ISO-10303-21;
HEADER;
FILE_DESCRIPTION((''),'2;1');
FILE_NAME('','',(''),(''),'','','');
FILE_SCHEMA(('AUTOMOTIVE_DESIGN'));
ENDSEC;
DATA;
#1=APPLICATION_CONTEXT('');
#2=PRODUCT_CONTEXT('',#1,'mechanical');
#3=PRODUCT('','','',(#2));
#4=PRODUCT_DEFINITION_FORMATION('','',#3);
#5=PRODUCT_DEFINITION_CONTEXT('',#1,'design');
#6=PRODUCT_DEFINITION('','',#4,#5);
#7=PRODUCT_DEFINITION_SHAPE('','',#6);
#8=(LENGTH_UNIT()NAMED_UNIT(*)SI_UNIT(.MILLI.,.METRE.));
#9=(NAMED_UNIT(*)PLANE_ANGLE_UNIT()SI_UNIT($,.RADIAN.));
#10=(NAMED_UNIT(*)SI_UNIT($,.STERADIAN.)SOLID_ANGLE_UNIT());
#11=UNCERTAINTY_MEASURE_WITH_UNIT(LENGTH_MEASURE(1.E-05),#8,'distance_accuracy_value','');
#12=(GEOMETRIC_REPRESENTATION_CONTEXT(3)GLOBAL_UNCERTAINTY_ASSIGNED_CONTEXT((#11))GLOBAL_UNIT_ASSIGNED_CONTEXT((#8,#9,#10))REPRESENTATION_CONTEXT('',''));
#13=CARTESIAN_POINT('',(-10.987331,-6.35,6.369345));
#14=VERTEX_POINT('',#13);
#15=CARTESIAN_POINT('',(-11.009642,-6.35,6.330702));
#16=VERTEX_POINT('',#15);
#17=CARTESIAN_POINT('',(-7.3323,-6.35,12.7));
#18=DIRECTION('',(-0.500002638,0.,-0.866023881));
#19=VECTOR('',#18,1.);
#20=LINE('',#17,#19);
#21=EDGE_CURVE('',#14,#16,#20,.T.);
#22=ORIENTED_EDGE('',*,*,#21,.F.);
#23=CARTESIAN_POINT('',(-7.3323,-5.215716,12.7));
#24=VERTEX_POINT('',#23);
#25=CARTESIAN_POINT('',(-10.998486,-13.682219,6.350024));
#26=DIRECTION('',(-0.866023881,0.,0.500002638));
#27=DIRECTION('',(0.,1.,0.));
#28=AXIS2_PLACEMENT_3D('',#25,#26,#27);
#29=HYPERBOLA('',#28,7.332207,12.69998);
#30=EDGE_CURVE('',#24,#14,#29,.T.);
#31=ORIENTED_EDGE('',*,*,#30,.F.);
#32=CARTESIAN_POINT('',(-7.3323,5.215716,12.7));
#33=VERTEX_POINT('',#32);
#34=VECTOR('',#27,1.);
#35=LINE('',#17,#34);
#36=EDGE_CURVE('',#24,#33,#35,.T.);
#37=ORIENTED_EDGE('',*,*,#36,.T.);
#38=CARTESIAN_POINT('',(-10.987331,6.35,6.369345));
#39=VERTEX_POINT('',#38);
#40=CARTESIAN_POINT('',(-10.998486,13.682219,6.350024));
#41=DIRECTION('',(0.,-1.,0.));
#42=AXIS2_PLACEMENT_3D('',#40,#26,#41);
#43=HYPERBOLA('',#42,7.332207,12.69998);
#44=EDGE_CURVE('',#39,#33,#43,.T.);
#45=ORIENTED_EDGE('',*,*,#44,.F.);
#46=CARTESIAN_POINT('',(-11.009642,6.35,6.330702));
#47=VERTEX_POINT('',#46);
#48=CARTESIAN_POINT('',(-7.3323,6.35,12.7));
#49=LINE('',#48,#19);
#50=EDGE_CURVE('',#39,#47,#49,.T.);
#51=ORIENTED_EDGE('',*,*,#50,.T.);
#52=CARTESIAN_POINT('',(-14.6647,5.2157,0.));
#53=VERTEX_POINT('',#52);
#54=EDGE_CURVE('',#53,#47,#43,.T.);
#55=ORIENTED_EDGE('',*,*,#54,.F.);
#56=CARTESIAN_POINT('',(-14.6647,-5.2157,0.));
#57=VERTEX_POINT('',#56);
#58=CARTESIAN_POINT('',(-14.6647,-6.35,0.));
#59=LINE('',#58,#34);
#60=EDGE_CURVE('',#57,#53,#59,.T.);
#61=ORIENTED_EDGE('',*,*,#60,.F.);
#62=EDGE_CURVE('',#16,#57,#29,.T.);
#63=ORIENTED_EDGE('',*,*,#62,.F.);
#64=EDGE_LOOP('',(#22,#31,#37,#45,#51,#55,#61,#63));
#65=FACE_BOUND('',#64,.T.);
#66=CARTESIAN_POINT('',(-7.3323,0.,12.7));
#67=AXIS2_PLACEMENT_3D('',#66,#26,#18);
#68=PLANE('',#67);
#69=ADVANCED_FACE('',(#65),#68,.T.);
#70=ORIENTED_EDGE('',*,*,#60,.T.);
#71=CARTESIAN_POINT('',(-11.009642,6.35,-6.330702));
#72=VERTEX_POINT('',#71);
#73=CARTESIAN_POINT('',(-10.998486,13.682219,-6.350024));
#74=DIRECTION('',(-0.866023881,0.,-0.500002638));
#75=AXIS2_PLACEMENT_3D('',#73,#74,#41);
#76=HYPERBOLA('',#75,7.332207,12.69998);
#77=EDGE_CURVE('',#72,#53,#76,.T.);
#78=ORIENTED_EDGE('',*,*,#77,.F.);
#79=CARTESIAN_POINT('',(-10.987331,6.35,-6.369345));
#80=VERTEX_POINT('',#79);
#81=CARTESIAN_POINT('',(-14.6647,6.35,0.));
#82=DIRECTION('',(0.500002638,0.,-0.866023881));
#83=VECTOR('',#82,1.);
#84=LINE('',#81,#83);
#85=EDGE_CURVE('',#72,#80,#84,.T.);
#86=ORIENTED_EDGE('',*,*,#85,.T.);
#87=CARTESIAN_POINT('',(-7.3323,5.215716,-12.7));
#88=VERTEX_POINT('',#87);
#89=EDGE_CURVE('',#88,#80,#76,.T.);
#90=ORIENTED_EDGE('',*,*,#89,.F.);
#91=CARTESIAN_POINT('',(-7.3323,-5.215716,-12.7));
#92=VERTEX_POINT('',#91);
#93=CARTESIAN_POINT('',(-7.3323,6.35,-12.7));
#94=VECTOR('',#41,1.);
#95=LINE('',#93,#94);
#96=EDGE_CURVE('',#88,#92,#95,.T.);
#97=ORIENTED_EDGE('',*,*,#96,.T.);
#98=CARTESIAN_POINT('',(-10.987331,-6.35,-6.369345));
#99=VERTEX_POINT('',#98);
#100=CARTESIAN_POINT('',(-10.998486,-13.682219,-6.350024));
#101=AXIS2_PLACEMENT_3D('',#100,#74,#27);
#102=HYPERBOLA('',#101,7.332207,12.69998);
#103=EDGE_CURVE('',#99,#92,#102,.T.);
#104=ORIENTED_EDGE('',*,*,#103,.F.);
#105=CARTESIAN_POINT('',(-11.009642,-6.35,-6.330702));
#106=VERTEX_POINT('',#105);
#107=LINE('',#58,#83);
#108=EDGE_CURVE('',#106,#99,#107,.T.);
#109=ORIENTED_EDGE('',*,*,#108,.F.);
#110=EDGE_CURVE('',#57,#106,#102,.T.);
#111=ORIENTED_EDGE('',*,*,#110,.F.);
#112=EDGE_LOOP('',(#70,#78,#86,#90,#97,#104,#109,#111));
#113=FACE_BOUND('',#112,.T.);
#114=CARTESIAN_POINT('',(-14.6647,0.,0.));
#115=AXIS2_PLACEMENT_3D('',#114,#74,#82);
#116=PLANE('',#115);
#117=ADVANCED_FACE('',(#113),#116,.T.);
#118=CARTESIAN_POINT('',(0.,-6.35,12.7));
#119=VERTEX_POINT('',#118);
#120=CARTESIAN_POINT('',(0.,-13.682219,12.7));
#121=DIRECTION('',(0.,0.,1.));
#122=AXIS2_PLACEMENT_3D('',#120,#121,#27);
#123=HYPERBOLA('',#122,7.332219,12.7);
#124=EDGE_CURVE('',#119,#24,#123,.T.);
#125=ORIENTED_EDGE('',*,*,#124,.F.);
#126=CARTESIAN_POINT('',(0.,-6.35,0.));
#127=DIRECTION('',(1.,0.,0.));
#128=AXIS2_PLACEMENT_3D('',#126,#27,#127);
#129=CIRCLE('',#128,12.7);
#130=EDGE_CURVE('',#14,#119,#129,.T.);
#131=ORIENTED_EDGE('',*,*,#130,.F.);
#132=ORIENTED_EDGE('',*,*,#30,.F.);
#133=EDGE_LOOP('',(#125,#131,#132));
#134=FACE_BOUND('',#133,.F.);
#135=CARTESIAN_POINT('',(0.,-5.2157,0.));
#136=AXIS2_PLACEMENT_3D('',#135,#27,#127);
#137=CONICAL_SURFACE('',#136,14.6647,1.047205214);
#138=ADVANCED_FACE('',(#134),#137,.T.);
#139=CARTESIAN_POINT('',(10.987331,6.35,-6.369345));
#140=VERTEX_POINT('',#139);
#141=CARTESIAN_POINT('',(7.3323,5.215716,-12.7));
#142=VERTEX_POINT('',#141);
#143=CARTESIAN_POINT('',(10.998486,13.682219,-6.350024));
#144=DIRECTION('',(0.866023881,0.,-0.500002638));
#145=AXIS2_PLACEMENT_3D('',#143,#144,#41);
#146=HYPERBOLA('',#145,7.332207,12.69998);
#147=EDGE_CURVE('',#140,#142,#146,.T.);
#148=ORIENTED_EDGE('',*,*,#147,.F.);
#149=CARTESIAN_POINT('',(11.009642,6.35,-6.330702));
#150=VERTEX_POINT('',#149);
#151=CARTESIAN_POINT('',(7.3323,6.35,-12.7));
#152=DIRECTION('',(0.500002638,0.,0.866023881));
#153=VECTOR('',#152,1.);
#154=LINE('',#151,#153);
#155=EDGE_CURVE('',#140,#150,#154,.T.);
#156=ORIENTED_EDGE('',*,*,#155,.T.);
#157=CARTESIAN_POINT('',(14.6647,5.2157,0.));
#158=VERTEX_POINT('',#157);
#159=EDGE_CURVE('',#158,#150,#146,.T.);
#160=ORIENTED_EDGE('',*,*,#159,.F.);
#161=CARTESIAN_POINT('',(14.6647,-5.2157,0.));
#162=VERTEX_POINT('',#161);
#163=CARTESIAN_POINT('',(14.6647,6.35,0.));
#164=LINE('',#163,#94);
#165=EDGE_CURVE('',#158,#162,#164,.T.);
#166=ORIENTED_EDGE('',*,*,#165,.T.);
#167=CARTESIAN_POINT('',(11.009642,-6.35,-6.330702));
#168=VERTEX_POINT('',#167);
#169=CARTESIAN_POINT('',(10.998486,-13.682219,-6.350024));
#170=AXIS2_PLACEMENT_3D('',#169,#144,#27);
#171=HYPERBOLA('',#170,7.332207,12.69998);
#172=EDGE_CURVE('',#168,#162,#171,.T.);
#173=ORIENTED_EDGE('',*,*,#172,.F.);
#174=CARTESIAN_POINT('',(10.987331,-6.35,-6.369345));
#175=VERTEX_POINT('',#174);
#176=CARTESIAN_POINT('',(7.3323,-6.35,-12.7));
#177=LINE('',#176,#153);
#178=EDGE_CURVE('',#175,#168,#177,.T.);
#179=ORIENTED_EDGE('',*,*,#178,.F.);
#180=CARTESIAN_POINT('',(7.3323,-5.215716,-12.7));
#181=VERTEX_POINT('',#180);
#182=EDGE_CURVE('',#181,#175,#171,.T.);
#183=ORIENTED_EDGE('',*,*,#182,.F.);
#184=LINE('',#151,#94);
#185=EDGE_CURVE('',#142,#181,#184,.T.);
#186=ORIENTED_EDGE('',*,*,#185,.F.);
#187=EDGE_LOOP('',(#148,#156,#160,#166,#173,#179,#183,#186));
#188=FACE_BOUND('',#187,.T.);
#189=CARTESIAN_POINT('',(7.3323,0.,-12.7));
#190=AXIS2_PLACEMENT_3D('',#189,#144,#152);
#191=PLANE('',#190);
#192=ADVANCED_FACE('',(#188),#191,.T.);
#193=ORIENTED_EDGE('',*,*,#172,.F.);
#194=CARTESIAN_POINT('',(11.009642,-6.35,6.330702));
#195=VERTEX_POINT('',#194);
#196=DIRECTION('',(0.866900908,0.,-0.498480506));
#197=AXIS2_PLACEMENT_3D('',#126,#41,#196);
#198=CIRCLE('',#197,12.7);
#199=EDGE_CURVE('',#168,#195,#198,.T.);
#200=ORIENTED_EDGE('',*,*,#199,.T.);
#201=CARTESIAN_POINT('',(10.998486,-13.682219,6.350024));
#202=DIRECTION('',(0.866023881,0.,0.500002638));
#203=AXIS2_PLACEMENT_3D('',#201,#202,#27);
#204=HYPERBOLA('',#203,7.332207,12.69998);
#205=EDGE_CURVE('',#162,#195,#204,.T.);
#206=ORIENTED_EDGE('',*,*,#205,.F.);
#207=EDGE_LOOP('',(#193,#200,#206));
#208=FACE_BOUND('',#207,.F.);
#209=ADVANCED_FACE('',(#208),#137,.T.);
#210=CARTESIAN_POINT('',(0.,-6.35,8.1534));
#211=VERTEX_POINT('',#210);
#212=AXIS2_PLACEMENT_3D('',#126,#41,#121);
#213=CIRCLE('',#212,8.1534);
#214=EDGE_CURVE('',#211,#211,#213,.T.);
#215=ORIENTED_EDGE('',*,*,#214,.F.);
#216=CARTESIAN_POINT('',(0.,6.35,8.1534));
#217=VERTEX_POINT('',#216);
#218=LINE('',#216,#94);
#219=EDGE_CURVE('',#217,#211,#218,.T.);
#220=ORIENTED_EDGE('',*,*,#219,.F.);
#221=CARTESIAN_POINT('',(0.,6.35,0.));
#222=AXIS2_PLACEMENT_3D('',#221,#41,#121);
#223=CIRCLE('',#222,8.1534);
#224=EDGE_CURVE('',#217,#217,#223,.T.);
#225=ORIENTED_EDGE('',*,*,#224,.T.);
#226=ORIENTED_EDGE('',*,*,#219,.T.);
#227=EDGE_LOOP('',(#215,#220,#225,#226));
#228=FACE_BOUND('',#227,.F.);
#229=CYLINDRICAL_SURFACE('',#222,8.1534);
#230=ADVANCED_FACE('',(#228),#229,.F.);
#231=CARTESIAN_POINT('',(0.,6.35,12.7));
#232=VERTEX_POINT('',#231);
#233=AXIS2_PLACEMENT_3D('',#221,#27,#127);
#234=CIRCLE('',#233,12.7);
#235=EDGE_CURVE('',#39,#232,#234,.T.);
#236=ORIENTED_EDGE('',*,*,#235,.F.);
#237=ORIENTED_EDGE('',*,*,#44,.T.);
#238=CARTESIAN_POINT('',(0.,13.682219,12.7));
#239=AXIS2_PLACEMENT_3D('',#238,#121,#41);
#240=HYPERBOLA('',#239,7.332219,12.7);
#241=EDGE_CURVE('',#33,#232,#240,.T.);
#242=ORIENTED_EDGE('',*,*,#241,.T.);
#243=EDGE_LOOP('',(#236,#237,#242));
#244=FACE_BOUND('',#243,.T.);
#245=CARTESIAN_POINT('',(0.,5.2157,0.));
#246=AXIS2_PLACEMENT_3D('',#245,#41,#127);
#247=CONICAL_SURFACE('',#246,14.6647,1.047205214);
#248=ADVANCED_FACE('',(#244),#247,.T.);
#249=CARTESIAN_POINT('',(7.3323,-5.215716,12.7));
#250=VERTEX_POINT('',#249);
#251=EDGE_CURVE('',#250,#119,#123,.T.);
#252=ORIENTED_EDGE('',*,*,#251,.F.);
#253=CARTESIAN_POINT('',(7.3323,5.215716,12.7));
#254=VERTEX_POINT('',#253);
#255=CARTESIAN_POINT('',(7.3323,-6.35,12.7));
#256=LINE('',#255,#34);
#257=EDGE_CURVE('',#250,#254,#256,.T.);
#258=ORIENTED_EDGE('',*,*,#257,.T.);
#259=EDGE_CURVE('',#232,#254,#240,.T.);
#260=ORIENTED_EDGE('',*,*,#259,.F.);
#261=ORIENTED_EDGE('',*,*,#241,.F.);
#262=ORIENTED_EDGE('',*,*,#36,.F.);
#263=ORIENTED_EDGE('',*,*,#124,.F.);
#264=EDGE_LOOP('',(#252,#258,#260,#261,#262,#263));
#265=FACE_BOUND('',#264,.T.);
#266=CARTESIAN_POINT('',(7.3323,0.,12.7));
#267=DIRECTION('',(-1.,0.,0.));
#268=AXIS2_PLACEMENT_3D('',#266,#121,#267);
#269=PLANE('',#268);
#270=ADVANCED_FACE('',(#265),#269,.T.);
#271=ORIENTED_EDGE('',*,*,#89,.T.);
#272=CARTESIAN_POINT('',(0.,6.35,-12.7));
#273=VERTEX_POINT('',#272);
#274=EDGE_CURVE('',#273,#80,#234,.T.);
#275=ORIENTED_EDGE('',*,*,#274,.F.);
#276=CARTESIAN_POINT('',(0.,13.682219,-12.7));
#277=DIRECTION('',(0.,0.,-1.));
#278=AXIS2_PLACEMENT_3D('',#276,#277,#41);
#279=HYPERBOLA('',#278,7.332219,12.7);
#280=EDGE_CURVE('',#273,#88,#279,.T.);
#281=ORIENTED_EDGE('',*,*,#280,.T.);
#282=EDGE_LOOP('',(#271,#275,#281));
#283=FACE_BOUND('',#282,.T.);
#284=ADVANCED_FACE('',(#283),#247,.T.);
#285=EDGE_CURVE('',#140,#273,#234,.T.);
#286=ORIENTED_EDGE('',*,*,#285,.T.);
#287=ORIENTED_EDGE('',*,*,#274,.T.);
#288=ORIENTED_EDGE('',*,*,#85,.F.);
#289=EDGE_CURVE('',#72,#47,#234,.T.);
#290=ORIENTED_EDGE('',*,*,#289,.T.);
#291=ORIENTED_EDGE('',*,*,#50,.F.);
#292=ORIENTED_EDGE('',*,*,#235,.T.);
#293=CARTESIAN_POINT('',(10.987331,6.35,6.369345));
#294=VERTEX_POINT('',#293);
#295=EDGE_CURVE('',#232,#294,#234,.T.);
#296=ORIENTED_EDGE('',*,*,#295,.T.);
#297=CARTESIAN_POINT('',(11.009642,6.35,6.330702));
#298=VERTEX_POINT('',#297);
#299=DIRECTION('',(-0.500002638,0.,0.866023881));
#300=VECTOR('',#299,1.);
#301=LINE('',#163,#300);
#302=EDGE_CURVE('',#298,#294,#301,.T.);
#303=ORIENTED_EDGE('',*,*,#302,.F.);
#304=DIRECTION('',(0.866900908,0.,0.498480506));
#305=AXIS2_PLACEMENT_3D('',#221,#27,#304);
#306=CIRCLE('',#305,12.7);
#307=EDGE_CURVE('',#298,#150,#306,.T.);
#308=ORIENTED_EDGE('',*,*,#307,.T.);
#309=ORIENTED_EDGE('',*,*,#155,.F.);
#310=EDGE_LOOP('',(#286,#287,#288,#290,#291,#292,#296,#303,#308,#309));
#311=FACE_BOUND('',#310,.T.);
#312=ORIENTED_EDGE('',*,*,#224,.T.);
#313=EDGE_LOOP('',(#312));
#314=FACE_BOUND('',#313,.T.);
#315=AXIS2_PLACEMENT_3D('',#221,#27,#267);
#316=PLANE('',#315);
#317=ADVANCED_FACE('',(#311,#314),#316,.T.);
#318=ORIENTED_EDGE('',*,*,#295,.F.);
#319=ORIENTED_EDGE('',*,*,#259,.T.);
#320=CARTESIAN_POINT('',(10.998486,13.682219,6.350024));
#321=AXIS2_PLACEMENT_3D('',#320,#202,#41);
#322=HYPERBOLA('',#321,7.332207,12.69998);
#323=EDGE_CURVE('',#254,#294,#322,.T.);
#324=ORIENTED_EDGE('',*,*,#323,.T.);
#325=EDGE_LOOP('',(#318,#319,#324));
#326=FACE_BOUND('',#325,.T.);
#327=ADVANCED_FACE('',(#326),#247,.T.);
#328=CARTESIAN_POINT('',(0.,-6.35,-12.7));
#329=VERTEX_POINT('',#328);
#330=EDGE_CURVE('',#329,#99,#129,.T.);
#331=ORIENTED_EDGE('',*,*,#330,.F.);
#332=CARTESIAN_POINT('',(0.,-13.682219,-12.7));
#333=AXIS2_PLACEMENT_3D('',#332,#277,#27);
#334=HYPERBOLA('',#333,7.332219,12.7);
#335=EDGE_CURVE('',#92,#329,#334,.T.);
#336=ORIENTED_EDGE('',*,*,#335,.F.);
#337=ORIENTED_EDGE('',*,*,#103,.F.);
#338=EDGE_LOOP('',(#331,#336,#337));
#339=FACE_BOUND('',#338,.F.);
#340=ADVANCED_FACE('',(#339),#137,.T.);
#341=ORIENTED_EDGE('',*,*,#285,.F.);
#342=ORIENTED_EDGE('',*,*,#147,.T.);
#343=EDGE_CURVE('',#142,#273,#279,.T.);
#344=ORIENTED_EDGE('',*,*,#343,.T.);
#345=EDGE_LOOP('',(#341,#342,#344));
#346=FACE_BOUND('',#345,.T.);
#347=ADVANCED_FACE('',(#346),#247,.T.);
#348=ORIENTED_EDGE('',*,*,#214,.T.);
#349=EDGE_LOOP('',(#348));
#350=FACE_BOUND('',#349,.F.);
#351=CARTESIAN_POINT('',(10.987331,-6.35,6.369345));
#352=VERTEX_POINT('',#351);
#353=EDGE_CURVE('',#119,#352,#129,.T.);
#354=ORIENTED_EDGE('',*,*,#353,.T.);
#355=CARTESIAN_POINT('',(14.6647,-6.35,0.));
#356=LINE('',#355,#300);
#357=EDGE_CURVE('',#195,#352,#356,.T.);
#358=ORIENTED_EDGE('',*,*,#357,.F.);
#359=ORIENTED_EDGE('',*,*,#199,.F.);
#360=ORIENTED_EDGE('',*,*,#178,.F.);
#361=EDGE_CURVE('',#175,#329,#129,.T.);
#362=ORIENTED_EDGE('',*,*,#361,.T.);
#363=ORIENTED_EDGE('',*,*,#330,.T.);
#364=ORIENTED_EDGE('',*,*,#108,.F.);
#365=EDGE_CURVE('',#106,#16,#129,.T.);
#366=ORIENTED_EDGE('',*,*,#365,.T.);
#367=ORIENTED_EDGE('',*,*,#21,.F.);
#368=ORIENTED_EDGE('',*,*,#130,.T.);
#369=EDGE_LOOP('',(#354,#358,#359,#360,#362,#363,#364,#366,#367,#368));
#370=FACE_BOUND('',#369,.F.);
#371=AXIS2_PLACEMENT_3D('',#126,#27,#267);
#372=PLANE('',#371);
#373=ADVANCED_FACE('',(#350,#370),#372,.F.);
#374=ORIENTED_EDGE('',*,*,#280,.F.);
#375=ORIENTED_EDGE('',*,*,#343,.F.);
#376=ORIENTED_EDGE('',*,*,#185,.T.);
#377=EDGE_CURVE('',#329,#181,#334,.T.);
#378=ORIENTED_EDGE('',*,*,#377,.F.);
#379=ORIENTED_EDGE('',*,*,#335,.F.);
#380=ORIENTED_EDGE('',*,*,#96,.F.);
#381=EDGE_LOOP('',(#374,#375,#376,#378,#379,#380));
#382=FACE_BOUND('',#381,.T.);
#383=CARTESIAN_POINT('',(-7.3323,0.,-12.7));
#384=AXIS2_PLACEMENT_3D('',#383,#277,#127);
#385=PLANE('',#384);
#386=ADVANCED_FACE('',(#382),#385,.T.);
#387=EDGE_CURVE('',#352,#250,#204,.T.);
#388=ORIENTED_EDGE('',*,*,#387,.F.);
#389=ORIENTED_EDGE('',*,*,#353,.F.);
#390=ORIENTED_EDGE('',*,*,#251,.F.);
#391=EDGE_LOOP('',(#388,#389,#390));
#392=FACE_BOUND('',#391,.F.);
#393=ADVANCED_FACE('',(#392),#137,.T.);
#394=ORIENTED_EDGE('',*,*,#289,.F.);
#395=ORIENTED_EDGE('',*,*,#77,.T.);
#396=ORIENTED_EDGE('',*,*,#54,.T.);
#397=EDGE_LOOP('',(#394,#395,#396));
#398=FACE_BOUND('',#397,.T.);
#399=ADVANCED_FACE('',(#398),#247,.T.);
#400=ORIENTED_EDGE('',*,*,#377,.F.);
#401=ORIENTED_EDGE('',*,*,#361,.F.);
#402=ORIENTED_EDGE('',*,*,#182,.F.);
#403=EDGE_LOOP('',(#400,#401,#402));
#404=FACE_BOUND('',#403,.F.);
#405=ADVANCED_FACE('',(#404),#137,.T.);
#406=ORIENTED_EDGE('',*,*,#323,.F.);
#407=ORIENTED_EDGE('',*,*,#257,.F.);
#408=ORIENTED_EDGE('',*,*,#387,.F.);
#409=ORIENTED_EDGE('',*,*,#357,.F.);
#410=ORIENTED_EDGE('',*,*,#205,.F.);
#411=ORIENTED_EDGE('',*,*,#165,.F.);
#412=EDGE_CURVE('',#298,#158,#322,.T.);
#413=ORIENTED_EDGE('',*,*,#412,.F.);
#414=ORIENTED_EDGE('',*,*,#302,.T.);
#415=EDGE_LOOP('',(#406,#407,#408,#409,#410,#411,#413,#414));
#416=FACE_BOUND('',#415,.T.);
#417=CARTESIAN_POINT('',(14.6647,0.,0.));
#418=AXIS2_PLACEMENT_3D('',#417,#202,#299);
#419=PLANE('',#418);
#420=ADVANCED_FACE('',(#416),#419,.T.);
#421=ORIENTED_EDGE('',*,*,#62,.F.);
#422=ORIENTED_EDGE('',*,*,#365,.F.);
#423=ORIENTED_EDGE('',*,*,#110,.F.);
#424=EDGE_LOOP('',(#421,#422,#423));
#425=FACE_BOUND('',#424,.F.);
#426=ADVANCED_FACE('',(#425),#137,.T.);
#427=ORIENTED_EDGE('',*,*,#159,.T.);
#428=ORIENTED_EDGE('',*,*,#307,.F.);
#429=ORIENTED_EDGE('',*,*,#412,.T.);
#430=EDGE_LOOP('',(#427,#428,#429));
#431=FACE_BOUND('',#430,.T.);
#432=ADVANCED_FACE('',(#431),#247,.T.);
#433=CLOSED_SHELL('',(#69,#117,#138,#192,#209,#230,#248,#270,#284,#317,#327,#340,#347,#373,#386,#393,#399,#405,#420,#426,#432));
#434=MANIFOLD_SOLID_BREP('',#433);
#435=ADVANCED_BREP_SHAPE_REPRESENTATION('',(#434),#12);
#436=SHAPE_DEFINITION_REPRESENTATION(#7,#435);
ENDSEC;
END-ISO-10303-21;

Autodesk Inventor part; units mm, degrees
ref_plane "YZ Plane" through (0, 0, 0) normal (1, 0, 0) x (0, 1, 0)
ref_plane "XZ Plane" through (0, 0, 0) normal (0, 1, 0) x (-1, 0, 0)
ref_plane "XY Plane" through (0, 0, 0) normal (0, 0, 1) x (1, 0, 0)
sketch "Sketch3" plane through (0, 0, 0) normal (0, 1, 0) x (-1, 0, 0)
  line L0 (14.6647, 0) -> (7.3323, -12.7)
  line L1 (7.3323, -12.7) -> (-7.3323, -12.7)
  line L2 (-7.3323, -12.7) -> (-14.6647, 0)
  line L3 (-14.6647, 0) -> (-7.3323, 12.7)
  line L4 (-7.3323, 12.7) -> (7.3323, 12.7)
  line L5 (7.3323, 12.7) -> (14.6647, 0)
  point P0 (0, 0)
  point P1 (0, 0)
  point P2 (0, 0)
  dimension "d27" = 25.4
extrude "Extrusion2" add sketch "Sketch3" along normal mid plane 12.7
sketch "Sketch5" plane through (0, 0, 0) normal (0, 0, 1) x (1, 0, 0)
  line L0 (0, -17.78) -> (0, 17.78) projected
  line L1 (14.6647, 6.35) -> (7.3323, 6.35) construction
  line L2 (7.3323, 6.35) -> (7.3323, -6.35) projected
  line L3 (14.6647, 6.35) -> (7.3323, 6.35) projected
  line L4 (14.6647, 6.35) -> (14.6647, -6.35) construction
  line L5 (7.3323, -6.35) -> (14.6647, -6.35) projected
  line L6 (12.7, 6.35) -> (14.6647, 6.35)
  line L7 (14.6647, 6.35) -> (14.6647, 5.2157)
  line L8 (14.6647, 5.2157) -> (12.7, 6.35)
  line L9 (0, 0) -> (14.3088, 0) construction
  line L10 (12.7, -6.35) -> (14.6647, -6.35)
  line L11 (14.6647, -6.35) -> (14.6647, -5.2157)
  line L12 (14.6647, -5.2157) -> (12.7, -6.35)
  dimension "d15" = 25.4
  dimension "d16" = 30
revolve "Revolution3" cut sketch "Sketch5" angle 360 about axis through (0, -10, 0) along (0, 1, 0)
hole "Hole1" at (0, 6.35, 0) direction (0, -1, 0) diameter 16.3068 end through all thread size "3/4-10 UNC" class "2B" standard "ANSI Unified Screw Threads"
equation "\"diameter\" = 25.4"
equation "\"length\" = 76.2"
properties part number "Hinge Pin Nut" material "Steel, Carbon"
